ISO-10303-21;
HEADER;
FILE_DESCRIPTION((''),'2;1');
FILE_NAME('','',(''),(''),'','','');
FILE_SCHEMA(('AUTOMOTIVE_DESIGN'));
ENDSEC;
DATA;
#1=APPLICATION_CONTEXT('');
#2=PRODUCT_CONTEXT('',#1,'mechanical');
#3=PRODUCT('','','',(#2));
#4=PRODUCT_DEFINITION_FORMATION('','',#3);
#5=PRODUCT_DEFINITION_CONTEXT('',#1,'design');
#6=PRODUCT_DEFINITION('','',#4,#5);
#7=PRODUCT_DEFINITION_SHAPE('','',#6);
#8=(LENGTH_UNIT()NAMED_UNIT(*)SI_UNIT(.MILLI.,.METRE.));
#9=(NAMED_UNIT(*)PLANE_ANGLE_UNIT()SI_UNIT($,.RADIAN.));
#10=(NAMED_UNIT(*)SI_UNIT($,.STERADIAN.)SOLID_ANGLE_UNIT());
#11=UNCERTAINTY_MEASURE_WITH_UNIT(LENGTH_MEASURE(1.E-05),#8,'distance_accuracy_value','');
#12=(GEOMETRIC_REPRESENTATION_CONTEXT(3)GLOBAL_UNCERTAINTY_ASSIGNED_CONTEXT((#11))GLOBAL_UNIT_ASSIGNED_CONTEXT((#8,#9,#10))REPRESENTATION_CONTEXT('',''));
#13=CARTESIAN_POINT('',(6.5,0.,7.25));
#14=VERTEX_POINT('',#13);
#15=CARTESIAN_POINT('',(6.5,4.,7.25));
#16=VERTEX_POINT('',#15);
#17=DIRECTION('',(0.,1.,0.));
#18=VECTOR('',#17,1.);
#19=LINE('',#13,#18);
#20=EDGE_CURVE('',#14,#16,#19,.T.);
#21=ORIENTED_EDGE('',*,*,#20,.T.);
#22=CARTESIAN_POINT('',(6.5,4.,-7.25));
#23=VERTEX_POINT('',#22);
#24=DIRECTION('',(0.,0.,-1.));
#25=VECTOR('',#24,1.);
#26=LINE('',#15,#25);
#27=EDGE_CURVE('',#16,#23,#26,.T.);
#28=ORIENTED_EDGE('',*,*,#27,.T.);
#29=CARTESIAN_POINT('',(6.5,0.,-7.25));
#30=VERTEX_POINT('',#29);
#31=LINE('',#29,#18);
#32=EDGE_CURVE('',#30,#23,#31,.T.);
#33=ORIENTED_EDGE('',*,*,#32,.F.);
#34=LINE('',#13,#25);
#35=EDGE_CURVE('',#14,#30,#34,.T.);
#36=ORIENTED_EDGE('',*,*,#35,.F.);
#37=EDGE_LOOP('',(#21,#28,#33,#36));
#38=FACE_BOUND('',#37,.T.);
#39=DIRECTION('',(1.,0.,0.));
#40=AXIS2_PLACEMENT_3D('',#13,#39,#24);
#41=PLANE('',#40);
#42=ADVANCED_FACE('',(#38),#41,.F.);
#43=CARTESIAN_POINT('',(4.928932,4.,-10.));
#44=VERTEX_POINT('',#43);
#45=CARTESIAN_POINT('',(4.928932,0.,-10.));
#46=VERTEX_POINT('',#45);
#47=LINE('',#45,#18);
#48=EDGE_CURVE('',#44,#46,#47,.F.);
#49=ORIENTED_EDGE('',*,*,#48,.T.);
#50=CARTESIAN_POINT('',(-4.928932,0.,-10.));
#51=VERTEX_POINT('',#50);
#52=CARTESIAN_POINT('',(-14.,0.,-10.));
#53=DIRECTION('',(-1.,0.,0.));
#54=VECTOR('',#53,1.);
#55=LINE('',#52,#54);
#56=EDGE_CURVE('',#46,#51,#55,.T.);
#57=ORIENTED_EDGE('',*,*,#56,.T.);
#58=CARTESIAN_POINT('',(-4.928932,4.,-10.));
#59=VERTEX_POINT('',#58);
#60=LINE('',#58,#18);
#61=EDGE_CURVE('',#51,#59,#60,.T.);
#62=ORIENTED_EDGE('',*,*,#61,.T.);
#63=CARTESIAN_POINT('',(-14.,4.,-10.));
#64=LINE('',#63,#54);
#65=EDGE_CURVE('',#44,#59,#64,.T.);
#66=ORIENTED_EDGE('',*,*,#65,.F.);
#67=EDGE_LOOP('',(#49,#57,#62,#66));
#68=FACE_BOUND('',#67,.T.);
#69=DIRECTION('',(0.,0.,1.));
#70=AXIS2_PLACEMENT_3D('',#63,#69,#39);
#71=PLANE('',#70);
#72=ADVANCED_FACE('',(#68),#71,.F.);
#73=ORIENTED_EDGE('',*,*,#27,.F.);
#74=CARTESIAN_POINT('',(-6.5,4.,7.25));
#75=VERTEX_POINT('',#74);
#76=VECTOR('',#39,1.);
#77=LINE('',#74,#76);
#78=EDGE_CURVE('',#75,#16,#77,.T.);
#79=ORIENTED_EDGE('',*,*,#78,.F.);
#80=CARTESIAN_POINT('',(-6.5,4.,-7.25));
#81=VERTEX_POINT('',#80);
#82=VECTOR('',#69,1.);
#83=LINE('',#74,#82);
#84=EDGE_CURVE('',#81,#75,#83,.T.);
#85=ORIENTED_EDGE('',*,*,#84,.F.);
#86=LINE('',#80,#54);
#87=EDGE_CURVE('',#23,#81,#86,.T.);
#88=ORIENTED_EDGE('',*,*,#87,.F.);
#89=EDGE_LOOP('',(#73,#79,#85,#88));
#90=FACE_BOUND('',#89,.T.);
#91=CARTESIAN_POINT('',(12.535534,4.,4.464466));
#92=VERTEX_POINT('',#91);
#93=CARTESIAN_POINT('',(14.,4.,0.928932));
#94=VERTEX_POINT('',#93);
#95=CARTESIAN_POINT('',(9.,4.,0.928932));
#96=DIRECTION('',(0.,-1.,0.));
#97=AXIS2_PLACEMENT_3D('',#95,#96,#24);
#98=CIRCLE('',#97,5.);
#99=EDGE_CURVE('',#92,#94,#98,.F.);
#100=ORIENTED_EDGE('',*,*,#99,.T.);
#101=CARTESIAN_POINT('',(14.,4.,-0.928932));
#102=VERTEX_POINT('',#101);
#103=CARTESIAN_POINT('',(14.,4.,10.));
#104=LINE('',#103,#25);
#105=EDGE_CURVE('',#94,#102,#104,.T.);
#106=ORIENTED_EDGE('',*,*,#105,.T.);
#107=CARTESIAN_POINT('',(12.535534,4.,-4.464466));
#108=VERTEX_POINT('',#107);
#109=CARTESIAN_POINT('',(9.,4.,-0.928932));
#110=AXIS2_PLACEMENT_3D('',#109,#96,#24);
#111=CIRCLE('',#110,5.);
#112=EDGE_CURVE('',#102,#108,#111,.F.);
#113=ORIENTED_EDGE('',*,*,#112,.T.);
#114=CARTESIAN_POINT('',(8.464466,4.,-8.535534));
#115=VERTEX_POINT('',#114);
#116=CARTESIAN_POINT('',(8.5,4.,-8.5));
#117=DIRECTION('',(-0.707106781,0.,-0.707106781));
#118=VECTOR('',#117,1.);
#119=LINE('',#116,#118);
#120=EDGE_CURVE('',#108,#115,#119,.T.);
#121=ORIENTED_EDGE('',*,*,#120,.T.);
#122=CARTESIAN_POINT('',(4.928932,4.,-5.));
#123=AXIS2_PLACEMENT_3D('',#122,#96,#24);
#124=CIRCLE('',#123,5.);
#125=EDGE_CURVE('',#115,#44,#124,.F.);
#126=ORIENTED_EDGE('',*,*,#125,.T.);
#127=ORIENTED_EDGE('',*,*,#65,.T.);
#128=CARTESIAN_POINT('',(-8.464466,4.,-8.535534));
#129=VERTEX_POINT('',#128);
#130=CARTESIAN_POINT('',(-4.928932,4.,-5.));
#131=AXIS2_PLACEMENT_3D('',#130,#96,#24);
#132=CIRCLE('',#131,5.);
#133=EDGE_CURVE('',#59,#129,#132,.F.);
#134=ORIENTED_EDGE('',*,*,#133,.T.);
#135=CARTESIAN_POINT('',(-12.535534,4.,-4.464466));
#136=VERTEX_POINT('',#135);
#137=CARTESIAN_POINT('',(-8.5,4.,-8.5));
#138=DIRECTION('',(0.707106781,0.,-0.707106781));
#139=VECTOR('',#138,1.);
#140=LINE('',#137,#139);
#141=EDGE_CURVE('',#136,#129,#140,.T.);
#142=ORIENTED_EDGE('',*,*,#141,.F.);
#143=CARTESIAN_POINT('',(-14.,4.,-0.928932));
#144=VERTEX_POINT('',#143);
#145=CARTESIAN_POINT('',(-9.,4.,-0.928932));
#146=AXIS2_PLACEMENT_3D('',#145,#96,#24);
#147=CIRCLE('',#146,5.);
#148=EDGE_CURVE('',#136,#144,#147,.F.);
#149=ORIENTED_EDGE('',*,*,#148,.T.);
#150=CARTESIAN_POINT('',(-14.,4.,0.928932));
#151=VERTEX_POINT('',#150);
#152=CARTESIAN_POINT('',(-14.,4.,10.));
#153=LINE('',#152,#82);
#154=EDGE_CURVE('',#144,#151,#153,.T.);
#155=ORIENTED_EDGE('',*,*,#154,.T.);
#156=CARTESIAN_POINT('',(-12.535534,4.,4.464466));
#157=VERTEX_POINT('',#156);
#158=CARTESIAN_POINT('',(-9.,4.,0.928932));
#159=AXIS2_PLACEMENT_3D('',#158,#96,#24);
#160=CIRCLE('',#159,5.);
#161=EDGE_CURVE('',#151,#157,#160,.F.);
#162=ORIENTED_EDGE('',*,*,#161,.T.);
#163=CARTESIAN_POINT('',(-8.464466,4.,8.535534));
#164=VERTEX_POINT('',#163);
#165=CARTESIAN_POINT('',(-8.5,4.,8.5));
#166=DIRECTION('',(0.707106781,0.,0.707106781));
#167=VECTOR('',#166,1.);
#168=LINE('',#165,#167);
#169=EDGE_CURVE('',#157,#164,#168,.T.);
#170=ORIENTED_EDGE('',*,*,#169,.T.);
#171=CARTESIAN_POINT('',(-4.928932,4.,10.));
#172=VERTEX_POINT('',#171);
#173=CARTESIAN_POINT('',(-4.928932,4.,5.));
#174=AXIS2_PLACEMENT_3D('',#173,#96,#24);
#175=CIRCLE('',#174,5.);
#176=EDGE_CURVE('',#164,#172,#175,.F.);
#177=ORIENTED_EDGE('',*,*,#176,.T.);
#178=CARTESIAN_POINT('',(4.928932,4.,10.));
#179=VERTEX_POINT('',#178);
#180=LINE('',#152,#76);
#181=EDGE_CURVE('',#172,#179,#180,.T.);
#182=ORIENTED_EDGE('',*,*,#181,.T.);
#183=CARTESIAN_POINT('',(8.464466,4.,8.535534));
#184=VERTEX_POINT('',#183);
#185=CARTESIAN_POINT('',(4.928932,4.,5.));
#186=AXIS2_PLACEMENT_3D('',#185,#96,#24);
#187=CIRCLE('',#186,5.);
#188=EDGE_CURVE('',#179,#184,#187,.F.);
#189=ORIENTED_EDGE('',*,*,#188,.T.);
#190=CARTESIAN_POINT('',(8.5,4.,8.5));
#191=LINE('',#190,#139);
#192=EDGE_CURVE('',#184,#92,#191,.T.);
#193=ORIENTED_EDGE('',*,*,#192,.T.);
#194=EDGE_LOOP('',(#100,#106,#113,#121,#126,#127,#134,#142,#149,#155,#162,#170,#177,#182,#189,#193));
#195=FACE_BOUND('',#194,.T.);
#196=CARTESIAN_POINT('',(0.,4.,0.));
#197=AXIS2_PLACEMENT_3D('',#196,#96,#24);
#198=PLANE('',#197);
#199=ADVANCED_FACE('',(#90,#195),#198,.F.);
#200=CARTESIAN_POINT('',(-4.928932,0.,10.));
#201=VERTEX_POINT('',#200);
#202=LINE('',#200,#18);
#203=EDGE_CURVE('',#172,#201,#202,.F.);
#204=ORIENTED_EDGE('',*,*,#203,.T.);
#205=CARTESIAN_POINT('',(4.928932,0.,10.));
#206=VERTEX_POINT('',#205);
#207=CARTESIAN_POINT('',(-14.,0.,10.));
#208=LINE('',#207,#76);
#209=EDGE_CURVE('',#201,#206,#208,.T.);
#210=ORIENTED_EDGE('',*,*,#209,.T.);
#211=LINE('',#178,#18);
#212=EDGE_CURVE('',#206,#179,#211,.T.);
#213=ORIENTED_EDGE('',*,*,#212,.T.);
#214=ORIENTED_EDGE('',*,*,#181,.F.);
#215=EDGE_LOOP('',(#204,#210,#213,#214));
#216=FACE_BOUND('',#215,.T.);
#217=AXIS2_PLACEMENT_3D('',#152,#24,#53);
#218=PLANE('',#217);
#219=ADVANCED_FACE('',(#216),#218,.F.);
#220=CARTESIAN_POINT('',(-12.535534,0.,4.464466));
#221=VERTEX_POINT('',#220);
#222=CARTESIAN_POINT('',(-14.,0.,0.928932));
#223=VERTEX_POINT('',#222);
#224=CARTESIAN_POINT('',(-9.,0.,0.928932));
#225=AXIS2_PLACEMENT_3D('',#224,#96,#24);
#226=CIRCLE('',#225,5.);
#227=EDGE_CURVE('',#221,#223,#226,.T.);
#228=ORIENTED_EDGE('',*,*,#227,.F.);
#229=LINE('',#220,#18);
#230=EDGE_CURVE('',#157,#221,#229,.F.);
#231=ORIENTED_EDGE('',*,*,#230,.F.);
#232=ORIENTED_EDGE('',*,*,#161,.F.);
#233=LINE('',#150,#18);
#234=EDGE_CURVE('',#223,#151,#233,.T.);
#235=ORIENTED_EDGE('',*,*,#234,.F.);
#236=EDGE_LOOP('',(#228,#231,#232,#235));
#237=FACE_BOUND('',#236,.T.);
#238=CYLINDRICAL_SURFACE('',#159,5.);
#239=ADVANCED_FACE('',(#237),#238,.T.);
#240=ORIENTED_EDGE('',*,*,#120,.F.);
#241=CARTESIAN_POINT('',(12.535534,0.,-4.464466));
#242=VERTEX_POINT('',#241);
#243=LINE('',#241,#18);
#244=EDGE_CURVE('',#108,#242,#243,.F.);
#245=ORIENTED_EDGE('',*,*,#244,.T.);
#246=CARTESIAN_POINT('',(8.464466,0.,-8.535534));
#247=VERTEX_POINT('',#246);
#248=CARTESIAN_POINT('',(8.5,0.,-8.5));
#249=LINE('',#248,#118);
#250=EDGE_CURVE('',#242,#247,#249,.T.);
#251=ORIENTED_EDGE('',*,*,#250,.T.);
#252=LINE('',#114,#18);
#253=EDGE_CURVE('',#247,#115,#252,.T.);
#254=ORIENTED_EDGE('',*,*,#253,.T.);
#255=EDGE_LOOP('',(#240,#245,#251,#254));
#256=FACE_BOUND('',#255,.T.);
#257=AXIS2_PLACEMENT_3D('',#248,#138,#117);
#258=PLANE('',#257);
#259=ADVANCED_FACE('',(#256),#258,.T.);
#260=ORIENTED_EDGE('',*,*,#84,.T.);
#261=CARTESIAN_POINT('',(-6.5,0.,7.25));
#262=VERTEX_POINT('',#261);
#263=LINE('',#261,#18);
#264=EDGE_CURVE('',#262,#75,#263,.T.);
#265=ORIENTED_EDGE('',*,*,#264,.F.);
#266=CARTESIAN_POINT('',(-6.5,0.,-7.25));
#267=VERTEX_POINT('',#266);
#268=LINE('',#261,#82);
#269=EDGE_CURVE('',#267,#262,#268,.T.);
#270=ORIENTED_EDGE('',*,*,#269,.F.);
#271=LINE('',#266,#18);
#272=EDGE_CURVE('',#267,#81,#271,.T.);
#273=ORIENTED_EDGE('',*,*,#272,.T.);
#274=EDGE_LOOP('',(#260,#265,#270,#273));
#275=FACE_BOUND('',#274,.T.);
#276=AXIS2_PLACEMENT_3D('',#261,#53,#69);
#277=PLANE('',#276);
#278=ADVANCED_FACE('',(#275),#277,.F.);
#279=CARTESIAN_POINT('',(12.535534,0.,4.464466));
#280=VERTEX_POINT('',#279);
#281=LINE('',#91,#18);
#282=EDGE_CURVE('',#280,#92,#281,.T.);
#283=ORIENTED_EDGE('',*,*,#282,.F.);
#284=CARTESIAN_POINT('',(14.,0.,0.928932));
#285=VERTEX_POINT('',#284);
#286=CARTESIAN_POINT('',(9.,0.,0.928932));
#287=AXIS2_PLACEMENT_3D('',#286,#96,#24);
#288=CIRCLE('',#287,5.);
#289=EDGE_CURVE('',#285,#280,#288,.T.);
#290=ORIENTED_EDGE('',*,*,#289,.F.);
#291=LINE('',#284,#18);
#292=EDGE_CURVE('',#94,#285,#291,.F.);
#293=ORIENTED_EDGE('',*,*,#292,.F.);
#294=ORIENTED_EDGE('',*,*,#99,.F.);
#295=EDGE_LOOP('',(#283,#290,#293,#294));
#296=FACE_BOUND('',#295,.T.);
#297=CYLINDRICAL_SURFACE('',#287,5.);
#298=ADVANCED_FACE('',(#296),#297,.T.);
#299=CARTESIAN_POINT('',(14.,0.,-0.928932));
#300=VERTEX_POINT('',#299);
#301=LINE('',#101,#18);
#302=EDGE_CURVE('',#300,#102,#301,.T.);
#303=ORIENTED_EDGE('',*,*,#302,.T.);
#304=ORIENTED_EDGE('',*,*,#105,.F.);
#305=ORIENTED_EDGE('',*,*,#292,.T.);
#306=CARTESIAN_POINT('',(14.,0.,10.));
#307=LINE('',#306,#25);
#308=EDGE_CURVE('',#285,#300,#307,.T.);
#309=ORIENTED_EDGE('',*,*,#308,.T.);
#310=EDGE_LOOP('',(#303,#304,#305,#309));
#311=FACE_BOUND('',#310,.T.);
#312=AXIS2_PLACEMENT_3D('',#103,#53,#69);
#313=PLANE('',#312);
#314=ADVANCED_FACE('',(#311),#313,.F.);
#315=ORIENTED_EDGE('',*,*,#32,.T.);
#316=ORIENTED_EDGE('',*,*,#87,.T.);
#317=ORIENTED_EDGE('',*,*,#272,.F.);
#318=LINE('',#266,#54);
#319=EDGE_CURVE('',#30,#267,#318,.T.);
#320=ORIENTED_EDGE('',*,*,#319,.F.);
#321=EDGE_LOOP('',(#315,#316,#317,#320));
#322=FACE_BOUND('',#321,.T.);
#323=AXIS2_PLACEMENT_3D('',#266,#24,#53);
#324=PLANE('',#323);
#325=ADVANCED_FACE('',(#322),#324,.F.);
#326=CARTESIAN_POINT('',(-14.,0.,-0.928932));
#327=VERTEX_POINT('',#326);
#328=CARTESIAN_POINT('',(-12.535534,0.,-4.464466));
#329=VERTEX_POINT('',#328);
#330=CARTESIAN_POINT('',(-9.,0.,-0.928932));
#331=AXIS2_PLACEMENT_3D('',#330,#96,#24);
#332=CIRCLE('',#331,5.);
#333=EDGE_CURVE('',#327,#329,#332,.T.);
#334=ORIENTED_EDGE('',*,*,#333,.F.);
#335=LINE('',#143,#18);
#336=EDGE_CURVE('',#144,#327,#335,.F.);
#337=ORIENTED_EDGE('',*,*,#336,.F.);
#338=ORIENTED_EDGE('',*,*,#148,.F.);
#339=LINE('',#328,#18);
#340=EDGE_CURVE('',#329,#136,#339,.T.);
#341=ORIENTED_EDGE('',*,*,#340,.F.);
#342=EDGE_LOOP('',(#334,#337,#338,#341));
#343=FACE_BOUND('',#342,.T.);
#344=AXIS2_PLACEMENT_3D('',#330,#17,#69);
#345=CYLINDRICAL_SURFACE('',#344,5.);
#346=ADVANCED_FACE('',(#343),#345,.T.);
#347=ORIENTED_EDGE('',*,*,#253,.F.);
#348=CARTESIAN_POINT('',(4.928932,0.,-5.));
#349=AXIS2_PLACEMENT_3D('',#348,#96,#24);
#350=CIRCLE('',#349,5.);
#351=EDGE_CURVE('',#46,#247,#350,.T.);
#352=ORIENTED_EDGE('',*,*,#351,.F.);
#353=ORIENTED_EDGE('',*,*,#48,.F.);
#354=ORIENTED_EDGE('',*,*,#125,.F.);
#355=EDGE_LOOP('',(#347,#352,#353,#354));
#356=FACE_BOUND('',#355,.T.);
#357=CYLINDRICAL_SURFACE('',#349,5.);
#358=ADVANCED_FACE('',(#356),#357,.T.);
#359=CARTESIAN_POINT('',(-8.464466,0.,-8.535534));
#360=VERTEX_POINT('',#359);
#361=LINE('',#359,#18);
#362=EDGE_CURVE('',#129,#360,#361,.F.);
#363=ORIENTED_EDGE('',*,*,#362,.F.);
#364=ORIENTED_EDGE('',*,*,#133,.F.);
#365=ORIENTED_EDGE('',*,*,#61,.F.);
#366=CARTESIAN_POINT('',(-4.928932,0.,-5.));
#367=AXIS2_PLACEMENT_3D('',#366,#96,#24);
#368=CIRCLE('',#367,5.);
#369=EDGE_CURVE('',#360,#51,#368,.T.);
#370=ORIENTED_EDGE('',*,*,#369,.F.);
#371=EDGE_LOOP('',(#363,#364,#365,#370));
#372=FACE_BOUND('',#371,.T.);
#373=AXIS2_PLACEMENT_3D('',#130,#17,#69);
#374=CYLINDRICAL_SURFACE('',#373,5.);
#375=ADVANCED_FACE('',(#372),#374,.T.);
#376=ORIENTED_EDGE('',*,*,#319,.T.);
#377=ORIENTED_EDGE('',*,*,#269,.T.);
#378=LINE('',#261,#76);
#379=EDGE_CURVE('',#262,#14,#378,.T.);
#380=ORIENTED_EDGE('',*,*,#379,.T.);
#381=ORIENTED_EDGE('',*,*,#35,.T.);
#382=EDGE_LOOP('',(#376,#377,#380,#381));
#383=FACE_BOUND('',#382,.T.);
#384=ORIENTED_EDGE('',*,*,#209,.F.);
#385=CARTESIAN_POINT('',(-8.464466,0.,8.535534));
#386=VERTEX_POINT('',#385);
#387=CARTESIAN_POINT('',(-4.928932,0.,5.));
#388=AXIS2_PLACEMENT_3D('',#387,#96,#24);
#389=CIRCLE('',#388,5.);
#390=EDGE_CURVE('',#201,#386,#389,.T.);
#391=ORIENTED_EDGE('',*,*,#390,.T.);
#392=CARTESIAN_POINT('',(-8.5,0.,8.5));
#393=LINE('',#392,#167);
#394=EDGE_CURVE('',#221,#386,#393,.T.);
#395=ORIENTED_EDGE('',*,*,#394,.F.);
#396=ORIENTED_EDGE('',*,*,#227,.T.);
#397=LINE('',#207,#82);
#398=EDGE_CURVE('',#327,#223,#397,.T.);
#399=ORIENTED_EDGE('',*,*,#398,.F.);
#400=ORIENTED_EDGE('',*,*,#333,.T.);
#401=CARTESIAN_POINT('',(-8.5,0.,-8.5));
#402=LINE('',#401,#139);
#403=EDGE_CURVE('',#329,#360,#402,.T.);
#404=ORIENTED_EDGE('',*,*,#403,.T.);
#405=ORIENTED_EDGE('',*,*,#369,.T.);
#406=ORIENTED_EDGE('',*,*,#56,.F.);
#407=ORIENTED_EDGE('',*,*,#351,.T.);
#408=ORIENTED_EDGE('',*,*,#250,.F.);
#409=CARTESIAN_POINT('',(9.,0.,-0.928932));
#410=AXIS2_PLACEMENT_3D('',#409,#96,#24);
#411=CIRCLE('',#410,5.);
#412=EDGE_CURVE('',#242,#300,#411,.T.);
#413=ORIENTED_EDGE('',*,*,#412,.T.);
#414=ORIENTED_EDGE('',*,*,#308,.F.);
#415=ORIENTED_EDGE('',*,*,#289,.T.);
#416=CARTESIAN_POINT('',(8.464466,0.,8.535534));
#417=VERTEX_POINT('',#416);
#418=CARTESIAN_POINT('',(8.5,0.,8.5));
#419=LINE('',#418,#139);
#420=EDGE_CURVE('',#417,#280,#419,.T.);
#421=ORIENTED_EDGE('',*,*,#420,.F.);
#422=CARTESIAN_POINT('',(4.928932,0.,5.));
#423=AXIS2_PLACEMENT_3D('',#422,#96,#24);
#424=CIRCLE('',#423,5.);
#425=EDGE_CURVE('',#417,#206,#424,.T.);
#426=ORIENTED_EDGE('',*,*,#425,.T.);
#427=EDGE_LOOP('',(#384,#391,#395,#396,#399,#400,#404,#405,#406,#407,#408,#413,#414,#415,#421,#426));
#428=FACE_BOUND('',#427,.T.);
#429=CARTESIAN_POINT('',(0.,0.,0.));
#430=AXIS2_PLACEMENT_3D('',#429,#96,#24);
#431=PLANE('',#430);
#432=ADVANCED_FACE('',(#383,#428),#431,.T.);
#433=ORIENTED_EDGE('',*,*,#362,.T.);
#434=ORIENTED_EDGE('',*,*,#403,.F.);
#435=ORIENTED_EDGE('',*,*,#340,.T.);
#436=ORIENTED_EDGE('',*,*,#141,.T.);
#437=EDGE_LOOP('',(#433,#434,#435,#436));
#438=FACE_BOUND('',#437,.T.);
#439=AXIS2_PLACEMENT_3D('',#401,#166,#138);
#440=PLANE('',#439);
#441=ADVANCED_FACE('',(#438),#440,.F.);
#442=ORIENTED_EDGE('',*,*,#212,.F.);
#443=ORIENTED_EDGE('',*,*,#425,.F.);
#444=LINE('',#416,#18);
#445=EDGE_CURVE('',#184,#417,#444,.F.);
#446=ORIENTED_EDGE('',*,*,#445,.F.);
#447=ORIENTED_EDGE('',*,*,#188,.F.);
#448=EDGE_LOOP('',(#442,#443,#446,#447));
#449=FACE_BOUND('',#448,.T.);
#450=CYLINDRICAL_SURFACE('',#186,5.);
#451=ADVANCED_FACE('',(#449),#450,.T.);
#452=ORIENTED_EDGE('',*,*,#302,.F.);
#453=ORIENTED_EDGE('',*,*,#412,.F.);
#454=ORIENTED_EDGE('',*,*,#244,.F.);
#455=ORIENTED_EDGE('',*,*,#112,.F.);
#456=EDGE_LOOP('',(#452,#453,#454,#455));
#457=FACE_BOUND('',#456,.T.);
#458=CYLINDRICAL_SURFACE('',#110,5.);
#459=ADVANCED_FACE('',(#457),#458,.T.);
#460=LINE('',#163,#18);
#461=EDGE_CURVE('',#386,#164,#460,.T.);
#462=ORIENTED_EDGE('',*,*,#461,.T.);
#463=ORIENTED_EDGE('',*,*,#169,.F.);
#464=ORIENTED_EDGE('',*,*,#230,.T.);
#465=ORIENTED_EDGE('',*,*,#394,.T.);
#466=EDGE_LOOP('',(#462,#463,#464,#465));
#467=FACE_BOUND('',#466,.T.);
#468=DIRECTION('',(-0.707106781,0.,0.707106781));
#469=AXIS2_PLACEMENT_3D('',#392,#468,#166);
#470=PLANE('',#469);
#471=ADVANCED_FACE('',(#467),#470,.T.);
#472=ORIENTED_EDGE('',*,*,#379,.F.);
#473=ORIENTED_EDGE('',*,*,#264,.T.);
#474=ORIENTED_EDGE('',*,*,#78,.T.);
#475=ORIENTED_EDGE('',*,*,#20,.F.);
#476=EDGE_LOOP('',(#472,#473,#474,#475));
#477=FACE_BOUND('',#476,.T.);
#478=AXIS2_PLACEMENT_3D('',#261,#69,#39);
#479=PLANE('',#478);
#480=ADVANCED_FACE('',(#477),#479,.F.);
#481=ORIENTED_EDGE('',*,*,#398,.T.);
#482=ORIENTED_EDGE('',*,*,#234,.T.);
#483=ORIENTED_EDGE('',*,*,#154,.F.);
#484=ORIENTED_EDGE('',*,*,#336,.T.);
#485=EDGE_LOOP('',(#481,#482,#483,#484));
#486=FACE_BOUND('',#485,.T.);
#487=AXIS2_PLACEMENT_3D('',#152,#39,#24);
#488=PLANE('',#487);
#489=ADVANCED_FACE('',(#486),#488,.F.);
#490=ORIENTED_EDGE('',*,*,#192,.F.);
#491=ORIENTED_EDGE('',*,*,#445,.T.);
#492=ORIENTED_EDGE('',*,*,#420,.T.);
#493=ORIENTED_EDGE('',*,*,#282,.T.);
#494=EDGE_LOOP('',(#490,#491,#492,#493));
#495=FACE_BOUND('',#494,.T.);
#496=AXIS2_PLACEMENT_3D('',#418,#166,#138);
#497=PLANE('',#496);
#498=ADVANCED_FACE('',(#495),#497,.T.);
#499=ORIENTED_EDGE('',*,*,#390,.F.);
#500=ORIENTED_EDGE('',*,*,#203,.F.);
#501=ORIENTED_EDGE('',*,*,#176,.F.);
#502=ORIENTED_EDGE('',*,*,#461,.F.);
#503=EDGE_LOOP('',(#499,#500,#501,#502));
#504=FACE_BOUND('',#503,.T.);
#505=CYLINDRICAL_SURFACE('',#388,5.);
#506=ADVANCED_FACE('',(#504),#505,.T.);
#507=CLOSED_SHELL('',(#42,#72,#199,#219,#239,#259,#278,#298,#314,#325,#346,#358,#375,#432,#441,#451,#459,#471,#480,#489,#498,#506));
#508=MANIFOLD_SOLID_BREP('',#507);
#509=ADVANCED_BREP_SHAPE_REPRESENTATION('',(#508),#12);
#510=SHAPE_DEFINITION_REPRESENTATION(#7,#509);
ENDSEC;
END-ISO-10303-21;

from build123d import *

# Parameters (mm, degrees)
ESQUISSE1_W             = 28
ESQUISSE1_H             = 20
BOSS_EXTRU_1_DEPTH      = 4
ESQUISSE2_W             = 13
ESQUISSE2_H             = 14.5
ENL_V_MAT_EXTRU_1_DEPTH = 4
ENL_V_MAT_EXTRU_2_DEPTH = 4
CONG_2_R                = 5


with BuildPart() as part:
    # Esquisse1 → Boss.-Extru.1 (new body)
    with BuildSketch(Plane(origin=(0, 0, 0), x_dir=(1, 0, 0), z_dir=(0, 1, 0))):
        Rectangle(ESQUISSE1_W, ESQUISSE1_H)
    extrude(amount=BOSS_EXTRU_1_DEPTH)

    # Esquisse2 → Enlèv. mat.-Extru.1 (cut)
    with BuildSketch(Plane(origin=(0, 4, 0), x_dir=(1, 0, 0), z_dir=(0, 1, 0))):
        Rectangle(ESQUISSE2_W, ESQUISSE2_H)
    extrude(amount=-ENL_V_MAT_EXTRU_1_DEPTH, mode=Mode.SUBTRACT)

    # Esquisse3 → Enlèv. mat.-Extru.2 (cut)
    with BuildSketch(Plane(origin=(0, 4, 0), x_dir=(1, 0, 0), z_dir=(0, 1, 0))):
        Polygon((-14, 10), (-14, 3), (-7, 10), align=None)
        Polygon((14, 10), (7, 10), (14, 3), align=None)
        Polygon((14, -3), (7, -10), (14, -10), align=None)
        Polygon((-7, -10), (-14, -3), (-14, -10), align=None)
    extrude(amount=-ENL_V_MAT_EXTRU_2_DEPTH, mode=Mode.SUBTRACT)

    # Congé2
    cong_2_edges = [part.edges().sort_by_distance(p)[0] for p in [
        (-14, 2, 3),
        (-7, 2, 10),
        (7, 2, 10),
        (14, 2, 3),
        (14, 2, -3),
        (7, 2, -10),
        (-14, 2, -3),
        (-7, 2, -10),
    ]]
    fillet(cong_2_edges, radius=CONG_2_R)


solid = part.part
